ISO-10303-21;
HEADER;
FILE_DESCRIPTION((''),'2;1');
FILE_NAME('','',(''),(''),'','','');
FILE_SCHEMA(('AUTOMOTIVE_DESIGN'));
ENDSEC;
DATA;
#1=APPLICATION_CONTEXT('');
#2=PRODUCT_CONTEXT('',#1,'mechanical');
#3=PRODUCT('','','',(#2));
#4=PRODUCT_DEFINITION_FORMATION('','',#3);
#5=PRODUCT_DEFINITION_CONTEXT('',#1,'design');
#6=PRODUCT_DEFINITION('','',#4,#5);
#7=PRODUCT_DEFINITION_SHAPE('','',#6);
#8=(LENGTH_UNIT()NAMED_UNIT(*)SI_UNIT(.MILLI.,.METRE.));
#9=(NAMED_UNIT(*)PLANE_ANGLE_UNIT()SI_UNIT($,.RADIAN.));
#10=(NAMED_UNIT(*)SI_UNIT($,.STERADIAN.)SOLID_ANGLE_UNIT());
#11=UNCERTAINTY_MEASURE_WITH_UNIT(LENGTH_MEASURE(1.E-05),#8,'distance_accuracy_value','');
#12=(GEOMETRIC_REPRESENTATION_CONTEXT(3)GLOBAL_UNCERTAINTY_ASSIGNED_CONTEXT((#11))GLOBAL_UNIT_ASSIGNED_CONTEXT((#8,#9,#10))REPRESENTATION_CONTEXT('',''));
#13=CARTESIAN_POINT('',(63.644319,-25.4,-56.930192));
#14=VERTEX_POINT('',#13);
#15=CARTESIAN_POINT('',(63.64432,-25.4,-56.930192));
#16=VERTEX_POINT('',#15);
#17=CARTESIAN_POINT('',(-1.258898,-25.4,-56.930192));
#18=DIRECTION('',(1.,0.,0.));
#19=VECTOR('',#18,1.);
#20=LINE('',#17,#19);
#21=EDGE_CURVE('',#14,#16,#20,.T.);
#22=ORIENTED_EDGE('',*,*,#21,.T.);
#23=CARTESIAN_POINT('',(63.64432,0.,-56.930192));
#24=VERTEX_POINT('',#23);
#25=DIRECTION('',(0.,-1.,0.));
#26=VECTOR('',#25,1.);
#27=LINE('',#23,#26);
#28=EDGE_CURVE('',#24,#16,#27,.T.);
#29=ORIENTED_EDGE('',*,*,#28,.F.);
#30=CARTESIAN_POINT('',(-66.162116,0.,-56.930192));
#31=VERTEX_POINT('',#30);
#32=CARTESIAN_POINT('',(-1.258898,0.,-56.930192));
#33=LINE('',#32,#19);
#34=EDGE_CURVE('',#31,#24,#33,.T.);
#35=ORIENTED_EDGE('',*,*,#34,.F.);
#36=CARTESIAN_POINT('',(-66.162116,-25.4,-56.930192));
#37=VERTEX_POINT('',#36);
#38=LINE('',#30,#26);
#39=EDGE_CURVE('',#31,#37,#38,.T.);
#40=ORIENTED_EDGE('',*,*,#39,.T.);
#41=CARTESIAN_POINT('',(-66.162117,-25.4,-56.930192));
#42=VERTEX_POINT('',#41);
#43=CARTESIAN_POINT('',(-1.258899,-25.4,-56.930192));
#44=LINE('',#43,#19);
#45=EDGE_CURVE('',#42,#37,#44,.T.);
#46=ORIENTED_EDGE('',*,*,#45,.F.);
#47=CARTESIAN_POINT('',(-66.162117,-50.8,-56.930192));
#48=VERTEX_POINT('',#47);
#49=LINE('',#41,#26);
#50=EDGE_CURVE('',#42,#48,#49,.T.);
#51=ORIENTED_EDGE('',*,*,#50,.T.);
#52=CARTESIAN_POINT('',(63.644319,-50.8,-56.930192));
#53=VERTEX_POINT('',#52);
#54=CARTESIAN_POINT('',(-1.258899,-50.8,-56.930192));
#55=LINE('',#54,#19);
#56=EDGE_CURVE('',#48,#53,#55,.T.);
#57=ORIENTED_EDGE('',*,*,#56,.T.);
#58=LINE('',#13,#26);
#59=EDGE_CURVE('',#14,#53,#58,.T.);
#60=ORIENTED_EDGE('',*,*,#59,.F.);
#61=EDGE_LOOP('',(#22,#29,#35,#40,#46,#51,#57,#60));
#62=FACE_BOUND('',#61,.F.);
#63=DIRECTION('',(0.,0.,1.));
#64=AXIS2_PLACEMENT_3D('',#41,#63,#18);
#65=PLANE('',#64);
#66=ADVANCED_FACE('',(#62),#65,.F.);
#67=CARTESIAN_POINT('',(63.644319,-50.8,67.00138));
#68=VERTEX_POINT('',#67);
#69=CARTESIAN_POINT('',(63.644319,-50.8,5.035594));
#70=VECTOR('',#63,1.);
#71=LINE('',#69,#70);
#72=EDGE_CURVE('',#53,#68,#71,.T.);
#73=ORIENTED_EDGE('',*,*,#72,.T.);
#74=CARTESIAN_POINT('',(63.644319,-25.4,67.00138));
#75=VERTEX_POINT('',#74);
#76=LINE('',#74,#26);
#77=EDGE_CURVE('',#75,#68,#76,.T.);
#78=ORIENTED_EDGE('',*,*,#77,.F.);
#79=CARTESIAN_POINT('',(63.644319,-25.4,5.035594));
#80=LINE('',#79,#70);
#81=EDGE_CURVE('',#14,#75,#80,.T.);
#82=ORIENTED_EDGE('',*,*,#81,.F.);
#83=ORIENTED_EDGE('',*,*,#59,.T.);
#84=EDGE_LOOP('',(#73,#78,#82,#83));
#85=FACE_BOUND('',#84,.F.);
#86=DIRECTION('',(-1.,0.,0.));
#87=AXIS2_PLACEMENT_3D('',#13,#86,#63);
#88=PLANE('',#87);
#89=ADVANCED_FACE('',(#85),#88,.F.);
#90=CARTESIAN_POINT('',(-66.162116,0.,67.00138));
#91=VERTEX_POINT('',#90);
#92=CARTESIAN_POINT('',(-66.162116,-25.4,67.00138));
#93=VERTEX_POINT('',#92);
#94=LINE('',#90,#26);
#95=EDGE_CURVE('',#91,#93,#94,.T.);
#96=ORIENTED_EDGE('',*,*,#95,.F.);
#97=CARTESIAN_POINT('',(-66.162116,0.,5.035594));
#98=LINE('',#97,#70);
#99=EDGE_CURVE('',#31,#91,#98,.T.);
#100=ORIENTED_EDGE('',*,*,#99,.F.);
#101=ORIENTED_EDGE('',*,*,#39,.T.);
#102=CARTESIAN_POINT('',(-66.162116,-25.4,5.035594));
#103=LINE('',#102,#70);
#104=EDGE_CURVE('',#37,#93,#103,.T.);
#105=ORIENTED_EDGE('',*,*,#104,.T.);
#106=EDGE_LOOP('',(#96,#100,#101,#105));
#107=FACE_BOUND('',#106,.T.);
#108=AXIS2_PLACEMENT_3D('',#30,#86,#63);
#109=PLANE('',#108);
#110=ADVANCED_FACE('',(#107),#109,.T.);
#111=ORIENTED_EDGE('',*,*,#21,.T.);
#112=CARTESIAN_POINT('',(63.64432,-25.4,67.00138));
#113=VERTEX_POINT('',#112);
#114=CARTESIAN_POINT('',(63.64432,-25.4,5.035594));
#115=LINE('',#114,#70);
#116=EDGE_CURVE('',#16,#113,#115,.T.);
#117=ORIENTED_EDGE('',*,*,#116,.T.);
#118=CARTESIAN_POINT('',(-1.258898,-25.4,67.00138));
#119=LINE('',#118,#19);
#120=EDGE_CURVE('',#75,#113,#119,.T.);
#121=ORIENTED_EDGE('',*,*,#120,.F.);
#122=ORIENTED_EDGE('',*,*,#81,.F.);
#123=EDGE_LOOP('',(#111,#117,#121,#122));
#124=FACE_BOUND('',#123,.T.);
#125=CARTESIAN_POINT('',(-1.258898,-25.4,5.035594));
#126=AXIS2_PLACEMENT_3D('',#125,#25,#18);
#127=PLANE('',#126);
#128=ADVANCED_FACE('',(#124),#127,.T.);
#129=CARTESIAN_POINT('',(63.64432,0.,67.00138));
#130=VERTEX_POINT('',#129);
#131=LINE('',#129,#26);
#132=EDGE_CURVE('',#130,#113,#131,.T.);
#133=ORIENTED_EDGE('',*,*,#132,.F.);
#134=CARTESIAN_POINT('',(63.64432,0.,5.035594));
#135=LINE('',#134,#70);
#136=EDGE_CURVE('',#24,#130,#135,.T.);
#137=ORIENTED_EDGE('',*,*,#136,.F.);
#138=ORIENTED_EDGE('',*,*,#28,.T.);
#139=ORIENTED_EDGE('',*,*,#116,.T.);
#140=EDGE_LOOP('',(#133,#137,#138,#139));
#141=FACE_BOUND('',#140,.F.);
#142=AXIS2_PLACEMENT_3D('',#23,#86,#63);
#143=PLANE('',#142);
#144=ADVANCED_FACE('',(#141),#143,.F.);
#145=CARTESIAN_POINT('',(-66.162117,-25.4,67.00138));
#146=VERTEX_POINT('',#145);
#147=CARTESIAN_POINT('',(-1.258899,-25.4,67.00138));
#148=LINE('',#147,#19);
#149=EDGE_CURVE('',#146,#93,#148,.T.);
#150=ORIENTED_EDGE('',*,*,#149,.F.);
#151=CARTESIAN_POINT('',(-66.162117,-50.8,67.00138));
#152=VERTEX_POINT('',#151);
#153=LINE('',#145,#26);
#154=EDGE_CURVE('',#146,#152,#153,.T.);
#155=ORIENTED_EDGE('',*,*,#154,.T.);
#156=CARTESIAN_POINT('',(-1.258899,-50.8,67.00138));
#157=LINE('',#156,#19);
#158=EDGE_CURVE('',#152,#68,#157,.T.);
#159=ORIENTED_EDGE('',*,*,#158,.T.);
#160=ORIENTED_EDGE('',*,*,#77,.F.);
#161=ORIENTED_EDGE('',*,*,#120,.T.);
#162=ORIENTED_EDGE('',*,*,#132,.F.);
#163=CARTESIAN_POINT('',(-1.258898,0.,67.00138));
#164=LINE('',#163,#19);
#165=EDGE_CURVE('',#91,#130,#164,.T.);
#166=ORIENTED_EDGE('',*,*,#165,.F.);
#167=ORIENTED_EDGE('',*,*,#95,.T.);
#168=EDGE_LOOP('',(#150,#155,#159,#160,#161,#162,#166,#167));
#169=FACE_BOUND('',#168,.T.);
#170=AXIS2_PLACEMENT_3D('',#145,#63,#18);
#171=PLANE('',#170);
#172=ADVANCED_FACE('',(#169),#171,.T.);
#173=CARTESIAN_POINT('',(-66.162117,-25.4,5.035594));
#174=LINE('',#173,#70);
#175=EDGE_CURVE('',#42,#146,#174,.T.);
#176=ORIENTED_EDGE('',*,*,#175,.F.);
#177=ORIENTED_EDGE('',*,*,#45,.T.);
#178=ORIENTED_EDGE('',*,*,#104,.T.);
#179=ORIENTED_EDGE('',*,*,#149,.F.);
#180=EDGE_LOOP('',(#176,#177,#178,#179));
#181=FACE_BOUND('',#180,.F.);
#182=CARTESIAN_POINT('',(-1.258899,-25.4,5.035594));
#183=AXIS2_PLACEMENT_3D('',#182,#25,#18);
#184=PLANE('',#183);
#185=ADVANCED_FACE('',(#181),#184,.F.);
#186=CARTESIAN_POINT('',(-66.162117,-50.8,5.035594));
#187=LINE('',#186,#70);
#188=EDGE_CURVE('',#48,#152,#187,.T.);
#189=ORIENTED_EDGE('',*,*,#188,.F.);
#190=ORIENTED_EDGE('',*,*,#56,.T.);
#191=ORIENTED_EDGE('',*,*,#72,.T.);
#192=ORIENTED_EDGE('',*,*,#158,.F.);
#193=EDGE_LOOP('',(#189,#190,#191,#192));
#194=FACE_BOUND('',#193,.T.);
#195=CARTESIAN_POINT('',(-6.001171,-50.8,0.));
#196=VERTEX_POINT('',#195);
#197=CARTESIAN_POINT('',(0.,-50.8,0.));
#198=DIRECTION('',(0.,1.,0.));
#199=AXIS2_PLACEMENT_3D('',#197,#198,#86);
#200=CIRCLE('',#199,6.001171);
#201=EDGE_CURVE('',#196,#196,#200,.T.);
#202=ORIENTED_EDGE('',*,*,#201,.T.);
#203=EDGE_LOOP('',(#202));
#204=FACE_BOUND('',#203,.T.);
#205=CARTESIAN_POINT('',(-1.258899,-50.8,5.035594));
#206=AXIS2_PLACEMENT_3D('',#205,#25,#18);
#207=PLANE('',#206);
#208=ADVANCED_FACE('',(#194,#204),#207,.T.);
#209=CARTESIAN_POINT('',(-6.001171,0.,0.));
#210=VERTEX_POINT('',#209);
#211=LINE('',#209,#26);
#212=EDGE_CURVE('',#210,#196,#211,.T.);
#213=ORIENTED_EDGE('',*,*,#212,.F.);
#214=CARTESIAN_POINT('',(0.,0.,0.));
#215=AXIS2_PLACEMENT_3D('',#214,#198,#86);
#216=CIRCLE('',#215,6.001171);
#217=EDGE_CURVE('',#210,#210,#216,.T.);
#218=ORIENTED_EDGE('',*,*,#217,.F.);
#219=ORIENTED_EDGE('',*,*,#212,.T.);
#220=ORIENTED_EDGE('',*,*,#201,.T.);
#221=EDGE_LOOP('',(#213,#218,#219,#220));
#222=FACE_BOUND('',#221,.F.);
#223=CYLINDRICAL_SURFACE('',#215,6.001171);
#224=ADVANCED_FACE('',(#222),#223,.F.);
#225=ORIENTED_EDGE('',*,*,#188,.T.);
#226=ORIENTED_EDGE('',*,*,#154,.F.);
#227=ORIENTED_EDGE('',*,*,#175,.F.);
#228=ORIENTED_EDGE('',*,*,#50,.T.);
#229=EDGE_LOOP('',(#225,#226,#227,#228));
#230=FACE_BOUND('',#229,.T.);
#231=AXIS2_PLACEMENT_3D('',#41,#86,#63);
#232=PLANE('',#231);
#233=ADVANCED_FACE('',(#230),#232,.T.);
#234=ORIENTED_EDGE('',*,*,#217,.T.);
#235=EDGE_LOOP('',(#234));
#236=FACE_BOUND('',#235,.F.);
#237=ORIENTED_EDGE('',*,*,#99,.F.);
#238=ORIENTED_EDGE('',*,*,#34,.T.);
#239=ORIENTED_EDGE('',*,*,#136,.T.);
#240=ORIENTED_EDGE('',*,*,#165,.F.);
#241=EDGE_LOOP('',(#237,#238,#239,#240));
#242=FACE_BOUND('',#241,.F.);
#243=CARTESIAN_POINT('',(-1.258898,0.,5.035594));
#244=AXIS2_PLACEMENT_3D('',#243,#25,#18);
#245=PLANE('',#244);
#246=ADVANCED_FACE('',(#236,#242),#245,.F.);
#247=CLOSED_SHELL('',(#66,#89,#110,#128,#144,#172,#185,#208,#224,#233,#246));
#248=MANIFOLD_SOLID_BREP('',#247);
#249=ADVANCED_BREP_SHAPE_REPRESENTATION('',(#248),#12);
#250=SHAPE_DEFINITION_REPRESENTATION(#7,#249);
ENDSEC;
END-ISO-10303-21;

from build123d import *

# Parameters (mm, degrees)
F0_W      = 129.806437
F0_H      = 123.931572
F1_DEPTH  = 25.4
F1_FACE_W = 129.806436
F1_FACE_H = 123.931572
F2_DEPTH  = 25.4
F3_R      = 6.001171
F4_DEPTH  = 78.486


with BuildPart() as f1:
    # F0 (on Front) → F1 (new body)
    with BuildSketch(Plane.XZ):
        with Locations((-1.258898, 5.035594)):
            Rectangle(F0_W, F0_H)
    extrude(amount=F1_DEPTH)

    # F1_face (on face) → F2 (join)
    with BuildSketch(Plane(origin=(-1.258899, -25.4, 5.035594), x_dir=(1, 0, 0), z_dir=(0, -1, 0))):
        Rectangle(F1_FACE_W, F1_FACE_H)
    extrude(amount=F2_DEPTH)

    # F3 (on face) → F4 (cut)
    with BuildSketch(Plane(origin=(0, 0, 0), x_dir=(-1, 0, 0), z_dir=(0, 1, 0))):
        Circle(F3_R)
    extrude(amount=-F4_DEPTH, mode=Mode.SUBTRACT)


solid = f1.part
